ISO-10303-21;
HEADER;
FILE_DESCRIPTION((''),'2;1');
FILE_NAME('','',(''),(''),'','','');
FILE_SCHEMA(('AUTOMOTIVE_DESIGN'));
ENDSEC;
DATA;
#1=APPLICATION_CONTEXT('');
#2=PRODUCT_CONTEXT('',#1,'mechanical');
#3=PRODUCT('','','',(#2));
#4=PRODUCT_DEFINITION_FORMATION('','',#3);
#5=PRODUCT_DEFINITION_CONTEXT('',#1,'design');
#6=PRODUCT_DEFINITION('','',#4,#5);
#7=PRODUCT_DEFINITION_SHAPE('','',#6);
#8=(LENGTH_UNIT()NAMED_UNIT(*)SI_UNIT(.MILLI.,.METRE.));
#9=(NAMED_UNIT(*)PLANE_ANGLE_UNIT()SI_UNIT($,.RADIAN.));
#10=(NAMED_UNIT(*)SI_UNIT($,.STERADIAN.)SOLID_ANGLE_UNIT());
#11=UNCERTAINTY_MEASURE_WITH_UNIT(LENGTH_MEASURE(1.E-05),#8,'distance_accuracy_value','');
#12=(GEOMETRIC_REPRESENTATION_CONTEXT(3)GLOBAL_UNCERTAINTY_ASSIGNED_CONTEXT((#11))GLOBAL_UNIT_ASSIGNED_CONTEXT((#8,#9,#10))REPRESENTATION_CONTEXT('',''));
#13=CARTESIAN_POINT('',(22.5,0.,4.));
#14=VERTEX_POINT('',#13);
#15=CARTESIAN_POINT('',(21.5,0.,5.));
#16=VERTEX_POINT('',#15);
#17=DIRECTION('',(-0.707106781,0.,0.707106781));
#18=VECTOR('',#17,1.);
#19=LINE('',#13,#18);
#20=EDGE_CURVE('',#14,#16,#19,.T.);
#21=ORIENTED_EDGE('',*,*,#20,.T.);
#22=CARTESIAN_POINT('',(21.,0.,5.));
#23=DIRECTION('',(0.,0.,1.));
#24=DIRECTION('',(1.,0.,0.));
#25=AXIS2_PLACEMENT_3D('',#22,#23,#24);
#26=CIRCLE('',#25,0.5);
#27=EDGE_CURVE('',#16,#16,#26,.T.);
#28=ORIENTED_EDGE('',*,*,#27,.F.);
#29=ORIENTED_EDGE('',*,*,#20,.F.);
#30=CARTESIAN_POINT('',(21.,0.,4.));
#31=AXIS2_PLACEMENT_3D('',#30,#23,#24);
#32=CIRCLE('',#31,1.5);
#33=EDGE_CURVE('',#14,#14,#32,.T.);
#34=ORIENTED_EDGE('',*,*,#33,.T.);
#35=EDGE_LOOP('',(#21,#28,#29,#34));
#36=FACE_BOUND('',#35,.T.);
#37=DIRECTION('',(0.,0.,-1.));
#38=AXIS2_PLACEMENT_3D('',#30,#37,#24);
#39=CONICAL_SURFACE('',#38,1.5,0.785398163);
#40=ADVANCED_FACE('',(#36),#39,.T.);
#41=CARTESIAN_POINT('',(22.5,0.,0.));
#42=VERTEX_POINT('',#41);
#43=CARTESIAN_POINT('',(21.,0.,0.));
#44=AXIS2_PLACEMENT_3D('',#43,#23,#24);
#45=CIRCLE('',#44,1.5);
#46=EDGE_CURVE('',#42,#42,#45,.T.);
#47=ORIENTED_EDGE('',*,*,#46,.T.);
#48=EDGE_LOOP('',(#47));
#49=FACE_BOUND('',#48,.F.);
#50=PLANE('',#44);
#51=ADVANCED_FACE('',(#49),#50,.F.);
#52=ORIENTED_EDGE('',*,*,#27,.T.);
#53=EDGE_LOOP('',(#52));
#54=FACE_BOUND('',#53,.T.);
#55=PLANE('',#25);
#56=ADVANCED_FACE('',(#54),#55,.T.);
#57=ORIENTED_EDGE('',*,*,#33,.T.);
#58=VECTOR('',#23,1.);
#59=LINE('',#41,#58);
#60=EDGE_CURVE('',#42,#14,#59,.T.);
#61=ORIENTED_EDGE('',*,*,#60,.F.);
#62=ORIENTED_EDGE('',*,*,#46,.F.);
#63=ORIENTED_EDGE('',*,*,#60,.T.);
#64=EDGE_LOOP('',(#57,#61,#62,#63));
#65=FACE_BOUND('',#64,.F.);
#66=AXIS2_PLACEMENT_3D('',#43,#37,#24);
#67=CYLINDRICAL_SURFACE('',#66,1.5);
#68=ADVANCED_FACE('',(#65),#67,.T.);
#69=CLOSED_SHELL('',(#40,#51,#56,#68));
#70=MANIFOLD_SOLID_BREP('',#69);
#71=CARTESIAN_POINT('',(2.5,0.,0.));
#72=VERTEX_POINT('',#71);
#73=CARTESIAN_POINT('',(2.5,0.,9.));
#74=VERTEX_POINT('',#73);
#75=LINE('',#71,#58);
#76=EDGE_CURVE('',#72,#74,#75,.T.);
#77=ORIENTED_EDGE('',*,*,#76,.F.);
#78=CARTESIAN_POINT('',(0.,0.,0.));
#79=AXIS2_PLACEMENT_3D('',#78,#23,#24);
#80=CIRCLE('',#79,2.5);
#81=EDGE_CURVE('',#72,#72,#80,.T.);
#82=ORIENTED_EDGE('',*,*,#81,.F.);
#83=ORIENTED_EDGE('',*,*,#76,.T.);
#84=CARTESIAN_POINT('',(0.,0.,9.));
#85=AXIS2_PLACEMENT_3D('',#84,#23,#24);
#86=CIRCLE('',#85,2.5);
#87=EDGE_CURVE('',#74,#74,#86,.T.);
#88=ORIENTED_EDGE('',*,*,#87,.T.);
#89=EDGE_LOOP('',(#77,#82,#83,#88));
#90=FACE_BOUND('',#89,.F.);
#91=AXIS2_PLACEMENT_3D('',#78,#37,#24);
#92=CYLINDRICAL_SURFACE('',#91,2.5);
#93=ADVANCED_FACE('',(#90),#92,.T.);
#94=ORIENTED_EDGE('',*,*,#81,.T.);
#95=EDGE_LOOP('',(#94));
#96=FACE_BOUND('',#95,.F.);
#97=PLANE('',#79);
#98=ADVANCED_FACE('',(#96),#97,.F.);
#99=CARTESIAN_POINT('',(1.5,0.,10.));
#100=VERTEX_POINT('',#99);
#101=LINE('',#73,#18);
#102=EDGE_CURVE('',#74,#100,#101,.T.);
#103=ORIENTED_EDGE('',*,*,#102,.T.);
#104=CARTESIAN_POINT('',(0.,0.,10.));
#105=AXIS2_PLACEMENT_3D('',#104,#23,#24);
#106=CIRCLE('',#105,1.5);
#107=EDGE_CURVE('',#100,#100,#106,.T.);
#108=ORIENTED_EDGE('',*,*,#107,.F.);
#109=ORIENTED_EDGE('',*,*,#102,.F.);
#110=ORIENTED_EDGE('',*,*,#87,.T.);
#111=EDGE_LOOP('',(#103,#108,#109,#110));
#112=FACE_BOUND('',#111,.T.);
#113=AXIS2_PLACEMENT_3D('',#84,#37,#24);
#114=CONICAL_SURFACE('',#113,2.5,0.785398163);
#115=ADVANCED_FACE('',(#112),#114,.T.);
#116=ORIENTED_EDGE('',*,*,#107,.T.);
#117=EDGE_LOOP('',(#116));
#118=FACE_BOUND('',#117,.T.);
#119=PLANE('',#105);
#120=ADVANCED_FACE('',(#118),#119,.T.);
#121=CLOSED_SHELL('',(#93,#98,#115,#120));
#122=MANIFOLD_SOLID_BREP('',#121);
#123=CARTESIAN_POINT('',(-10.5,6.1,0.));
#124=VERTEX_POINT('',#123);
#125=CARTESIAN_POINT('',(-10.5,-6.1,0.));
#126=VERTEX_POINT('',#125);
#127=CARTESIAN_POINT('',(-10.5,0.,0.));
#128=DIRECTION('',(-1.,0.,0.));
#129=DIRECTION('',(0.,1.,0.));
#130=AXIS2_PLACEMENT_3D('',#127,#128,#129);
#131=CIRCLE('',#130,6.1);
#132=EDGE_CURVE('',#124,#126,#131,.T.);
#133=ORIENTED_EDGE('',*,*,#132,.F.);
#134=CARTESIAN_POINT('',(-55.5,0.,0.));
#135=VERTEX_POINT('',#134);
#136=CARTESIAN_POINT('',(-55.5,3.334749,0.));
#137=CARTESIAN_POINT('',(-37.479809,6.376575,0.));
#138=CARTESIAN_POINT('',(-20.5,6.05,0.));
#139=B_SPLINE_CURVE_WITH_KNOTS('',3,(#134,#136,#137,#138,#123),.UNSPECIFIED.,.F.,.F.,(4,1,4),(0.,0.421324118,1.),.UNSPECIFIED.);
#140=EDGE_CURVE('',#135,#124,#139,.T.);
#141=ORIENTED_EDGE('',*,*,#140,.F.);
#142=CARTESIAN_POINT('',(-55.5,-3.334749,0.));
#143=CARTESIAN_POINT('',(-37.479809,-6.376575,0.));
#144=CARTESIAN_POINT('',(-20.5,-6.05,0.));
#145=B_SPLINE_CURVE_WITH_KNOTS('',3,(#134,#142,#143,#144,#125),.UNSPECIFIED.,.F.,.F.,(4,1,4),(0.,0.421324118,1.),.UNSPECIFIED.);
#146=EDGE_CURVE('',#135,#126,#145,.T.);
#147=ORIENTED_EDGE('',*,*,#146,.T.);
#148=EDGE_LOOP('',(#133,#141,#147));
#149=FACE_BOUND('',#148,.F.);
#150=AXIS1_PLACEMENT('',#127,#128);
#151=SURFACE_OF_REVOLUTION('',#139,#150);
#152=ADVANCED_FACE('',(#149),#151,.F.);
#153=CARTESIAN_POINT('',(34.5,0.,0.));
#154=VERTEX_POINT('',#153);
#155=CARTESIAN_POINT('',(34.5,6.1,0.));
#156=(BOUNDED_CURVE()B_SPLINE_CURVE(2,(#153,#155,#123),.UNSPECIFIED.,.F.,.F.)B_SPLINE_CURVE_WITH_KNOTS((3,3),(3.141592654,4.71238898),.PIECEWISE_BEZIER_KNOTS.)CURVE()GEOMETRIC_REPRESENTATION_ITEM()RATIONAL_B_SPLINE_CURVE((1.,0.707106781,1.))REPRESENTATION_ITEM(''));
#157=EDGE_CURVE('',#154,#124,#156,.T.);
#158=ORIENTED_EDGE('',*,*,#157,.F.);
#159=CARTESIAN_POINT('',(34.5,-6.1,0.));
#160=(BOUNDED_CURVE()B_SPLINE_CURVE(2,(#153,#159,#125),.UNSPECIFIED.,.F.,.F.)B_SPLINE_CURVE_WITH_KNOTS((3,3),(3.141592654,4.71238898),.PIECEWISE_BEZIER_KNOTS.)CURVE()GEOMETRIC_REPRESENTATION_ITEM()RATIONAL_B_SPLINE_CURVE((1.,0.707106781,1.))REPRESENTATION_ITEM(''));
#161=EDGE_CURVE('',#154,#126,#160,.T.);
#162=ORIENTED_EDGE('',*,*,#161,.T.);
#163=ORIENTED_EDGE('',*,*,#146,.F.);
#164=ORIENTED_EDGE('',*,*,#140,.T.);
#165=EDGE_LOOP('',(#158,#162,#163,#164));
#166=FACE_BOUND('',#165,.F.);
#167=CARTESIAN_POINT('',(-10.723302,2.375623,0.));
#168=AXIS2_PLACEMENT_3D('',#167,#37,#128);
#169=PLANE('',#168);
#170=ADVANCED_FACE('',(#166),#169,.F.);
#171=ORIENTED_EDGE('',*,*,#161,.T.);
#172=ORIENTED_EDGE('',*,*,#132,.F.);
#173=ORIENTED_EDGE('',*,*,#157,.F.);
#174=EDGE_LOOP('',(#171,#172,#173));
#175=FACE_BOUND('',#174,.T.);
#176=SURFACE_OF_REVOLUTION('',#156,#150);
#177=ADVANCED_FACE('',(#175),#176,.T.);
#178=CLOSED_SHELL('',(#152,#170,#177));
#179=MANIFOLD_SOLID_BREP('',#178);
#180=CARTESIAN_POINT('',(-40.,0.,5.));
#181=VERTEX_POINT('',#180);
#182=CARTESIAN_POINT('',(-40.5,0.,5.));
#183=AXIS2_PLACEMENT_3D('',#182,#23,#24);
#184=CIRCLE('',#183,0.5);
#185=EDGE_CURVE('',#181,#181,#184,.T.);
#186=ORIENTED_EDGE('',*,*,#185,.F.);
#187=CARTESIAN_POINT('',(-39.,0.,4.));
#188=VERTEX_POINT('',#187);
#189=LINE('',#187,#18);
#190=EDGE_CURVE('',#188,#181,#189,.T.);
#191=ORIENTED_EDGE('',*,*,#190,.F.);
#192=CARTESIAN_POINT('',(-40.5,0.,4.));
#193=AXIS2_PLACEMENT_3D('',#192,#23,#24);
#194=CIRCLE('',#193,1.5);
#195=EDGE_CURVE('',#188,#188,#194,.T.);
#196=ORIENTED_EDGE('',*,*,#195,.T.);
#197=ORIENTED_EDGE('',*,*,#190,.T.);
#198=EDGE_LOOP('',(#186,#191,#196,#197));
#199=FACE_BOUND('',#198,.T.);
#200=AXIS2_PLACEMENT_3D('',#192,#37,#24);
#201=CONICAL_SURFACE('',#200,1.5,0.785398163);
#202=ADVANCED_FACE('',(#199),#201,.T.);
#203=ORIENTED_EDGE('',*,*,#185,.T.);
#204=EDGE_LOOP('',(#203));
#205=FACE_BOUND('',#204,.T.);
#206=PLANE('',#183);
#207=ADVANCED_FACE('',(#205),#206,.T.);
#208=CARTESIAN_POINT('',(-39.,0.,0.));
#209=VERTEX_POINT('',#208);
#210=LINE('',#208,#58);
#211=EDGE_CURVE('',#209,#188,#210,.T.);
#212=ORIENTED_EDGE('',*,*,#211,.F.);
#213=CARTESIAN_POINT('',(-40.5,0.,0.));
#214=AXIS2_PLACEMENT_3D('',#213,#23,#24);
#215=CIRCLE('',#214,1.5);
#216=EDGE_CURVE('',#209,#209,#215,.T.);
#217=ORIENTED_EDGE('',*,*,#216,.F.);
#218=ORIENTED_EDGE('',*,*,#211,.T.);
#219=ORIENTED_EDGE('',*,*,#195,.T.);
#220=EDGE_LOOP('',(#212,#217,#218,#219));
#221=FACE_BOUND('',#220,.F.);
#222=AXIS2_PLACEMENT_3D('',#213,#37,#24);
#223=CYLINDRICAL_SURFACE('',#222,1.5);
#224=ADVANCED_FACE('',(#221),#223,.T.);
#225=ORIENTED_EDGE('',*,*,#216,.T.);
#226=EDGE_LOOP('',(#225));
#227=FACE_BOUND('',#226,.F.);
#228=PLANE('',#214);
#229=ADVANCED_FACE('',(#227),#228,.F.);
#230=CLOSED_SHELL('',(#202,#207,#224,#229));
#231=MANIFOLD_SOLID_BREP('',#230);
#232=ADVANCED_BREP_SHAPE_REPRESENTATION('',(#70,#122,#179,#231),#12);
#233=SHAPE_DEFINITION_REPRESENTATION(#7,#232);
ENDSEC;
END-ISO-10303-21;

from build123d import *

# Parameters (mm, degrees)
F1_R      = 1.5
F2_DEPTH  = 5
F1_R_2    = 2.5
F3_DEPTH  = 10
F4_SIZE   = 1
F4_2_SIZE = 1
F5_SIZE   = 1
F6_ANGLE  = 180


with BuildPart() as f2:
    # F1 (on Top) → F2 (new body)
    with BuildSketch(Plane.XY):
        with Locations((-40.5, 0)):
            Circle(F1_R)
    extrude(amount=F2_DEPTH)

    # F4
    f4_edges = [f2.edges().sort_by_distance(p)[0] for p in [
        (-42, 0, 5),
    ]]
    chamfer(f4_edges, length=F4_SIZE)


with BuildPart() as f2b:
    # F1 (on Top) → F2, piece 2 (new body)
    with BuildSketch(Plane.XY):
        with Locations((21, 0)):
            Circle(F1_R)
    extrude(amount=F2_DEPTH)

    # F4#2
    f4_2_edges = [f2b.edges().sort_by_distance(p)[0] for p in [
        (19.5, 0, 5),
    ]]
    chamfer(f4_2_edges, length=F4_2_SIZE)


with BuildPart() as f3:
    # F1 (on Top) → F3 (new body)
    with BuildSketch(Plane.XY):
        Circle(F1_R_2)
    extrude(amount=F3_DEPTH)

    # F5
    f5_edges = [f3.edges().sort_by_distance(p)[0] for p in [
        (-2.5, 0, 10),
    ]]
    chamfer(f5_edges, length=F5_SIZE)


with BuildPart() as f6:
    # F0 (on Top) → F6 (revolve)
    with BuildSketch(Plane.XY):
        with BuildLine():
            add(Edge.make_bspline(
                [(-55.5, 0), (-55.5, 3.3347492572), (-37.4798085624, 6.3765749521), (-20.5, 6.05), (-10.5, 6.1)],
                knots=[0, 0, 0, 0, 0.4213241183, 1, 1, 1, 1], degree=3))
            Line((-55.5, 0), (34.5, 0))
            add(Edge.make_bspline(
                [(34.5, 0), (34.5, 6.1), (-10.5, 6.1)],
                knots=[3.1415926536, 3.1415926536, 3.1415926536, 4.7123889804, 4.7123889804, 4.7123889804], degree=2, weights=[1, 0.7071067812, 1]))
        make_face()
    revolve(axis=Axis((-10.5, 0, 0), (-1, 0, 0)), revolution_arc=F6_ANGLE)


solid = Compound([f2.part, f2b.part, f3.part, f6.part])
